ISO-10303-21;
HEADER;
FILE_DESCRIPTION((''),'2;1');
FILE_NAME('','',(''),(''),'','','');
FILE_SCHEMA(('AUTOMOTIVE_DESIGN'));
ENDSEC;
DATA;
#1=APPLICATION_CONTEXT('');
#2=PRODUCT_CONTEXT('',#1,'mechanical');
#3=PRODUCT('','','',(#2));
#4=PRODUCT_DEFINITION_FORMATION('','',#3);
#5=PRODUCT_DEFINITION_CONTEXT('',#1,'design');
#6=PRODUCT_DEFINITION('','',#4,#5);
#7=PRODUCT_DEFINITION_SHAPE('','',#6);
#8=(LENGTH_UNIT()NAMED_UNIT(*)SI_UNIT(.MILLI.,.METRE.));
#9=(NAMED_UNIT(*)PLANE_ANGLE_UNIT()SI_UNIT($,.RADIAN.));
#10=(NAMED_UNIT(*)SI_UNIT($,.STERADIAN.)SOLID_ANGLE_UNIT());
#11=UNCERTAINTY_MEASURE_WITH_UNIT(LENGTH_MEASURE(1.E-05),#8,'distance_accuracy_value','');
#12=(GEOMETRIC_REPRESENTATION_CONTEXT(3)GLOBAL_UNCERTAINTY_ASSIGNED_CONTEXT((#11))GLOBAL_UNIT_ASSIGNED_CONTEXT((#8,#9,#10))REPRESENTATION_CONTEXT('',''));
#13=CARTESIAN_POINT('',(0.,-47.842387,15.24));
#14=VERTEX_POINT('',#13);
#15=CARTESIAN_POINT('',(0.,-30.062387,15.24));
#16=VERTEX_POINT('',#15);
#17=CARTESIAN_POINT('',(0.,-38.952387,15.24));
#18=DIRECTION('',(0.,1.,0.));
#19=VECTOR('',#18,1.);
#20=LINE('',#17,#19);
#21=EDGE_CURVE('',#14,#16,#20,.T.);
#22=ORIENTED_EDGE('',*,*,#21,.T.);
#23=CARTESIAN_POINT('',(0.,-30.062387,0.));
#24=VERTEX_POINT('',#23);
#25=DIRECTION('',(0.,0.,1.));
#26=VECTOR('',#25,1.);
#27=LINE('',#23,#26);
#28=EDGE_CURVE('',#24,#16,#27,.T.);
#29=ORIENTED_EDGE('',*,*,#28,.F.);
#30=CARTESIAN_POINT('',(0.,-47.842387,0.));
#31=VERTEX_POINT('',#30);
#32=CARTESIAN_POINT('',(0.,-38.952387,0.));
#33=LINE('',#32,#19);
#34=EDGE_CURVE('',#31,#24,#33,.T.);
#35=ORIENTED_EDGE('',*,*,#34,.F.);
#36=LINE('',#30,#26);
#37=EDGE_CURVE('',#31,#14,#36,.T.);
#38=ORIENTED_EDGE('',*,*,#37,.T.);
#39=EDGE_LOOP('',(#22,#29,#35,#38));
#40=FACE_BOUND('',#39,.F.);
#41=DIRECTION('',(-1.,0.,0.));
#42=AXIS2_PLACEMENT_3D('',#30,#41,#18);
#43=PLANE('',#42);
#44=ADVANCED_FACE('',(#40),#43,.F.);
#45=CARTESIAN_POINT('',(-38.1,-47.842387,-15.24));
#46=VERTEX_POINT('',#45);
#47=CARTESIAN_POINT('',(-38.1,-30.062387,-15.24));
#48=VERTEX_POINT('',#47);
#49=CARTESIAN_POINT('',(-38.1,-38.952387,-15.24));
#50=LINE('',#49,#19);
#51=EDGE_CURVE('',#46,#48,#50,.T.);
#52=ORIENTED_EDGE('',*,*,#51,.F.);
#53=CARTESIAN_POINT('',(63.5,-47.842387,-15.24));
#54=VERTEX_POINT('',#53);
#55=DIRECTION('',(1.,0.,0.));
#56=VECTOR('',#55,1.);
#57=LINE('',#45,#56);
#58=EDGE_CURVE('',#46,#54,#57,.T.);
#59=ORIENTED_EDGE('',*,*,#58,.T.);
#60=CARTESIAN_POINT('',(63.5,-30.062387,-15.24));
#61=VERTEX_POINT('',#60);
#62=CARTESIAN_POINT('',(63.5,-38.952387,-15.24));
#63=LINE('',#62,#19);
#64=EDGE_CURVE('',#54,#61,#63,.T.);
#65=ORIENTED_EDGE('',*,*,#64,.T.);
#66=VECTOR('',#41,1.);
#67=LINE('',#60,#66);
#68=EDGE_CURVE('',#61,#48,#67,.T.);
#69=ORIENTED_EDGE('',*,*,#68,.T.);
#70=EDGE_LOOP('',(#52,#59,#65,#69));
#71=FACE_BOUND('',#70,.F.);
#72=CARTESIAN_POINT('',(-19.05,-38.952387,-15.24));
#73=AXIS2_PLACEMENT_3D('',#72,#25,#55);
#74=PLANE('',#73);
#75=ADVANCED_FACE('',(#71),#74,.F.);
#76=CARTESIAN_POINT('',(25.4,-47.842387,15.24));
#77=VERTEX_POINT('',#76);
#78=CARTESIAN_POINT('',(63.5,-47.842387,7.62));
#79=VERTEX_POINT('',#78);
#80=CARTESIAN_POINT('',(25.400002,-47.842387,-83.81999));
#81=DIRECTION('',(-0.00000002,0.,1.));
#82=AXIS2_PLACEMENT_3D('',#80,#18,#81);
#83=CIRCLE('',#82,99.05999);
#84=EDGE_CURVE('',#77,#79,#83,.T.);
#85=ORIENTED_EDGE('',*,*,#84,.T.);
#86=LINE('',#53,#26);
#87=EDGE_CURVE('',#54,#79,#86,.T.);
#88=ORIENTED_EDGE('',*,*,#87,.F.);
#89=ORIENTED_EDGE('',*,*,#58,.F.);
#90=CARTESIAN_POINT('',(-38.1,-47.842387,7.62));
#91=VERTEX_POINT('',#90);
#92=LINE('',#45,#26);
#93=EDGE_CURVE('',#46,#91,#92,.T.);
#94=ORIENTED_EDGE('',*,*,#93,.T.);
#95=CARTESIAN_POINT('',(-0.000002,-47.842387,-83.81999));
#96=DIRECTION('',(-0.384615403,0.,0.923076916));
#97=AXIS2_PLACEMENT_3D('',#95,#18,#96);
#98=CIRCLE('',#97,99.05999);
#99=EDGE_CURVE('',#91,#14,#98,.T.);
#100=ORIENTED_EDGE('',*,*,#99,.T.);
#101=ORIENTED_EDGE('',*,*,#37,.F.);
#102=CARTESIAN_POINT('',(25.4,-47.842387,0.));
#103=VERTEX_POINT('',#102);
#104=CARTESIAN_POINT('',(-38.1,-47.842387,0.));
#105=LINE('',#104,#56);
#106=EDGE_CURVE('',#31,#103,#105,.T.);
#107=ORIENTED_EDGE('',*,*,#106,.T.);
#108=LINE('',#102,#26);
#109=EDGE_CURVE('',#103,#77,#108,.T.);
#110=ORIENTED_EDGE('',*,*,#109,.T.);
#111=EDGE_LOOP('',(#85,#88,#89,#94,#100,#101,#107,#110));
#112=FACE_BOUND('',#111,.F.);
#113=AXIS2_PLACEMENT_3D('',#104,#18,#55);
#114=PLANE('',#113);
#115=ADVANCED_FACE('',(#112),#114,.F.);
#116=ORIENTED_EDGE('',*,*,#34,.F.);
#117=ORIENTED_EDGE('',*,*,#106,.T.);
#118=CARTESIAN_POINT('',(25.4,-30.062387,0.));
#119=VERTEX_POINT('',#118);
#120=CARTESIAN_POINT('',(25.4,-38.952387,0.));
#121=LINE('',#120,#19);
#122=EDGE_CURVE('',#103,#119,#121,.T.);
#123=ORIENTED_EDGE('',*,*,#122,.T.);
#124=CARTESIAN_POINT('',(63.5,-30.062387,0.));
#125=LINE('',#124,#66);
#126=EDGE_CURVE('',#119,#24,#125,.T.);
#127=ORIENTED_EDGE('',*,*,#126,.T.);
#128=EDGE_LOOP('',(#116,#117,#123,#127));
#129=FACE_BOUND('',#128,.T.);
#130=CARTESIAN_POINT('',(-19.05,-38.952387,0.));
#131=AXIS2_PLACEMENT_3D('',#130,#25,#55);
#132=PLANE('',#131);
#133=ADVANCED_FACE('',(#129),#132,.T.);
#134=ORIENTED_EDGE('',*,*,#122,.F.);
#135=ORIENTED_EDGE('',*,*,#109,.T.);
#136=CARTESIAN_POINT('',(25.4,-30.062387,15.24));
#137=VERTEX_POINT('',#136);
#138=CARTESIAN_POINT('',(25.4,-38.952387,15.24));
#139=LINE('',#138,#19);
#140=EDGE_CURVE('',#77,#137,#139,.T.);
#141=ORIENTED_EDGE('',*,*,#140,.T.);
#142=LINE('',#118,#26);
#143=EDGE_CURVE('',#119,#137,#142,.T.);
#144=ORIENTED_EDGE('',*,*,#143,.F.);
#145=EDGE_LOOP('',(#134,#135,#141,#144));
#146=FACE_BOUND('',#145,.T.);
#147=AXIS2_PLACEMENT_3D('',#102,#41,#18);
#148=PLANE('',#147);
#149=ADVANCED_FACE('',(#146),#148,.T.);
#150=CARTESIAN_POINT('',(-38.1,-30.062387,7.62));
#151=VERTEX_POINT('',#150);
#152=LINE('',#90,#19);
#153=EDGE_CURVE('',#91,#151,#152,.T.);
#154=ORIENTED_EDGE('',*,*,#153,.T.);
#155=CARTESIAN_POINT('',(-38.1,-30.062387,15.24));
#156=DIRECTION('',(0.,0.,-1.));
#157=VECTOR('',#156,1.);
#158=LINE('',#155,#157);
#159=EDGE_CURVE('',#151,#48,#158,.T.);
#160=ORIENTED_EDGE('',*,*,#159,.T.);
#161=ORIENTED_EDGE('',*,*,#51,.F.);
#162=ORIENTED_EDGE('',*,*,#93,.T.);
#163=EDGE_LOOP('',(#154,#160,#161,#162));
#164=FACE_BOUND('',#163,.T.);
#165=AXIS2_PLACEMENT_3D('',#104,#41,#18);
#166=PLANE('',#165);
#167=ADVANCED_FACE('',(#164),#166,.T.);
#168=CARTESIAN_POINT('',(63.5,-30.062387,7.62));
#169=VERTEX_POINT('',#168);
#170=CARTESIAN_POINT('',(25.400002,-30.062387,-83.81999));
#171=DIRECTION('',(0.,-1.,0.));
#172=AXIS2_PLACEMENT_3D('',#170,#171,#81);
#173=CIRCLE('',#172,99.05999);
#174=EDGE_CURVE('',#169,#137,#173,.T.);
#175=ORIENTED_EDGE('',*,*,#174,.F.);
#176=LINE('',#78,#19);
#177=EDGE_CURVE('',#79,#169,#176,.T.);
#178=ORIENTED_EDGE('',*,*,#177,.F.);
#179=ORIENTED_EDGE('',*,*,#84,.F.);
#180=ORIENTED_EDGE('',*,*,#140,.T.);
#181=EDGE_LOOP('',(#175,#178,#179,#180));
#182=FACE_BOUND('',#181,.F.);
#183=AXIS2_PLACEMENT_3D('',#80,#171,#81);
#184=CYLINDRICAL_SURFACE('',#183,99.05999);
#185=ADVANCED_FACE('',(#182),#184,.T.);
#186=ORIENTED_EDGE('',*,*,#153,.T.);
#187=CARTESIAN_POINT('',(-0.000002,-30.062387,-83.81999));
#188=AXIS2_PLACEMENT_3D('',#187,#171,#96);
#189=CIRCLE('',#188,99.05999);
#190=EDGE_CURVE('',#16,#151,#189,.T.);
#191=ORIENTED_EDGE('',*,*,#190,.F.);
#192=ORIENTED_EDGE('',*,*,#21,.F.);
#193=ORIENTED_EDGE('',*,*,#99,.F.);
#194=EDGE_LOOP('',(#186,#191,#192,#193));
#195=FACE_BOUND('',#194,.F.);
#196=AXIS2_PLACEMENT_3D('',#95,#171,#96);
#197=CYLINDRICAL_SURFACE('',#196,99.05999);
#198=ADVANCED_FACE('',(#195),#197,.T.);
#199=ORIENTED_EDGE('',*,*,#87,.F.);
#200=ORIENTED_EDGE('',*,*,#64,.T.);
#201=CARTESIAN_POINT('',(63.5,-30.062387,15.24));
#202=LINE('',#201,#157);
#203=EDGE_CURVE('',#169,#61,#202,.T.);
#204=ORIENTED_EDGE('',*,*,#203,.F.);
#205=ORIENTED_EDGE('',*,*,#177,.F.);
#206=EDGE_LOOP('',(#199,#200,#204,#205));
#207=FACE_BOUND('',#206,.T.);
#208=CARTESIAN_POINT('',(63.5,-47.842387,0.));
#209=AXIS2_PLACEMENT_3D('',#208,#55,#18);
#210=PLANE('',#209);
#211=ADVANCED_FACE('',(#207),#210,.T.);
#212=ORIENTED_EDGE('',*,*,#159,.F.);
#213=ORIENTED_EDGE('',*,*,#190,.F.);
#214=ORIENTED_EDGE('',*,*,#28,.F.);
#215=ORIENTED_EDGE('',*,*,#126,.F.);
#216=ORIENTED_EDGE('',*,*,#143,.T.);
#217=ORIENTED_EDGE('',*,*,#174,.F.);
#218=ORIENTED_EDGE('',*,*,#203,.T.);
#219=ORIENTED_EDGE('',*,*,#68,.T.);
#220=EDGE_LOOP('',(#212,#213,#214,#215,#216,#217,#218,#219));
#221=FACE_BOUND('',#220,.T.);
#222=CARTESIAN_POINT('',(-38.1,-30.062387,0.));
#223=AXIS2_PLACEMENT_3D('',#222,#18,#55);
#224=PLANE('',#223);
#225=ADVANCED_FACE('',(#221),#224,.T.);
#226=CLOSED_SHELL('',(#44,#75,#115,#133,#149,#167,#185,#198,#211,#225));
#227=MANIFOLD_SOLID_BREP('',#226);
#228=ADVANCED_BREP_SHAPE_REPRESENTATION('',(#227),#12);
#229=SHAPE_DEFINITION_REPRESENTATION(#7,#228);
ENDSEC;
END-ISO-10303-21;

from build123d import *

# Parameters (mm, degrees)
F0_W     = 38.1
F0_H     = 17.78
F0_W_2   = 25.4
F1_DEPTH = 15.24
F2_DEPTH = 15.24
F4_DEPTH = 25.4


with BuildPart() as f1:
    # F0 (on Top) → F1 (new body)
    with BuildSketch(Plane.XY):
        with Locations((-19.05, -38.952387)):
            Rectangle(F0_W, F0_H)
        with Locations((12.7, -38.952387)):
            Rectangle(F0_W_2, F0_H)
        with Locations((44.45, -38.952387)):
            Rectangle(F0_W, F0_H)
    extrude(amount=-F1_DEPTH)

    # F0 (on Top) → F2 (join)
    with BuildSketch(Plane.XY):
        with Locations((-19.05, -38.952387)):
            Rectangle(F0_W, F0_H)
        with Locations((44.45, -38.952387)):
            Rectangle(F0_W, F0_H)
    extrude(amount=F2_DEPTH)

    # F3 (on face) → F4 (cut)
    with BuildSketch(Plane.XZ.offset(47.842387)):
        with BuildLine():
            ThreePointArc((-38.1, 7.62), (-19.427264, 13.316322), (0, 15.24))
            Line((0, 15.24), (-38.1, 15.24))
            Line((-38.1, 15.24), (-38.1, 7.62))
        make_face()
        with BuildLine():
            Line((63.5, 15.24), (25.4, 15.24))
            ThreePointArc((25.4, 15.24), (44.827264, 13.316322), (63.5, 7.62))
            Line((63.5, 7.62), (63.5, 15.24))
        make_face()
    extrude(amount=-F4_DEPTH, mode=Mode.SUBTRACT)


solid = f1.part
